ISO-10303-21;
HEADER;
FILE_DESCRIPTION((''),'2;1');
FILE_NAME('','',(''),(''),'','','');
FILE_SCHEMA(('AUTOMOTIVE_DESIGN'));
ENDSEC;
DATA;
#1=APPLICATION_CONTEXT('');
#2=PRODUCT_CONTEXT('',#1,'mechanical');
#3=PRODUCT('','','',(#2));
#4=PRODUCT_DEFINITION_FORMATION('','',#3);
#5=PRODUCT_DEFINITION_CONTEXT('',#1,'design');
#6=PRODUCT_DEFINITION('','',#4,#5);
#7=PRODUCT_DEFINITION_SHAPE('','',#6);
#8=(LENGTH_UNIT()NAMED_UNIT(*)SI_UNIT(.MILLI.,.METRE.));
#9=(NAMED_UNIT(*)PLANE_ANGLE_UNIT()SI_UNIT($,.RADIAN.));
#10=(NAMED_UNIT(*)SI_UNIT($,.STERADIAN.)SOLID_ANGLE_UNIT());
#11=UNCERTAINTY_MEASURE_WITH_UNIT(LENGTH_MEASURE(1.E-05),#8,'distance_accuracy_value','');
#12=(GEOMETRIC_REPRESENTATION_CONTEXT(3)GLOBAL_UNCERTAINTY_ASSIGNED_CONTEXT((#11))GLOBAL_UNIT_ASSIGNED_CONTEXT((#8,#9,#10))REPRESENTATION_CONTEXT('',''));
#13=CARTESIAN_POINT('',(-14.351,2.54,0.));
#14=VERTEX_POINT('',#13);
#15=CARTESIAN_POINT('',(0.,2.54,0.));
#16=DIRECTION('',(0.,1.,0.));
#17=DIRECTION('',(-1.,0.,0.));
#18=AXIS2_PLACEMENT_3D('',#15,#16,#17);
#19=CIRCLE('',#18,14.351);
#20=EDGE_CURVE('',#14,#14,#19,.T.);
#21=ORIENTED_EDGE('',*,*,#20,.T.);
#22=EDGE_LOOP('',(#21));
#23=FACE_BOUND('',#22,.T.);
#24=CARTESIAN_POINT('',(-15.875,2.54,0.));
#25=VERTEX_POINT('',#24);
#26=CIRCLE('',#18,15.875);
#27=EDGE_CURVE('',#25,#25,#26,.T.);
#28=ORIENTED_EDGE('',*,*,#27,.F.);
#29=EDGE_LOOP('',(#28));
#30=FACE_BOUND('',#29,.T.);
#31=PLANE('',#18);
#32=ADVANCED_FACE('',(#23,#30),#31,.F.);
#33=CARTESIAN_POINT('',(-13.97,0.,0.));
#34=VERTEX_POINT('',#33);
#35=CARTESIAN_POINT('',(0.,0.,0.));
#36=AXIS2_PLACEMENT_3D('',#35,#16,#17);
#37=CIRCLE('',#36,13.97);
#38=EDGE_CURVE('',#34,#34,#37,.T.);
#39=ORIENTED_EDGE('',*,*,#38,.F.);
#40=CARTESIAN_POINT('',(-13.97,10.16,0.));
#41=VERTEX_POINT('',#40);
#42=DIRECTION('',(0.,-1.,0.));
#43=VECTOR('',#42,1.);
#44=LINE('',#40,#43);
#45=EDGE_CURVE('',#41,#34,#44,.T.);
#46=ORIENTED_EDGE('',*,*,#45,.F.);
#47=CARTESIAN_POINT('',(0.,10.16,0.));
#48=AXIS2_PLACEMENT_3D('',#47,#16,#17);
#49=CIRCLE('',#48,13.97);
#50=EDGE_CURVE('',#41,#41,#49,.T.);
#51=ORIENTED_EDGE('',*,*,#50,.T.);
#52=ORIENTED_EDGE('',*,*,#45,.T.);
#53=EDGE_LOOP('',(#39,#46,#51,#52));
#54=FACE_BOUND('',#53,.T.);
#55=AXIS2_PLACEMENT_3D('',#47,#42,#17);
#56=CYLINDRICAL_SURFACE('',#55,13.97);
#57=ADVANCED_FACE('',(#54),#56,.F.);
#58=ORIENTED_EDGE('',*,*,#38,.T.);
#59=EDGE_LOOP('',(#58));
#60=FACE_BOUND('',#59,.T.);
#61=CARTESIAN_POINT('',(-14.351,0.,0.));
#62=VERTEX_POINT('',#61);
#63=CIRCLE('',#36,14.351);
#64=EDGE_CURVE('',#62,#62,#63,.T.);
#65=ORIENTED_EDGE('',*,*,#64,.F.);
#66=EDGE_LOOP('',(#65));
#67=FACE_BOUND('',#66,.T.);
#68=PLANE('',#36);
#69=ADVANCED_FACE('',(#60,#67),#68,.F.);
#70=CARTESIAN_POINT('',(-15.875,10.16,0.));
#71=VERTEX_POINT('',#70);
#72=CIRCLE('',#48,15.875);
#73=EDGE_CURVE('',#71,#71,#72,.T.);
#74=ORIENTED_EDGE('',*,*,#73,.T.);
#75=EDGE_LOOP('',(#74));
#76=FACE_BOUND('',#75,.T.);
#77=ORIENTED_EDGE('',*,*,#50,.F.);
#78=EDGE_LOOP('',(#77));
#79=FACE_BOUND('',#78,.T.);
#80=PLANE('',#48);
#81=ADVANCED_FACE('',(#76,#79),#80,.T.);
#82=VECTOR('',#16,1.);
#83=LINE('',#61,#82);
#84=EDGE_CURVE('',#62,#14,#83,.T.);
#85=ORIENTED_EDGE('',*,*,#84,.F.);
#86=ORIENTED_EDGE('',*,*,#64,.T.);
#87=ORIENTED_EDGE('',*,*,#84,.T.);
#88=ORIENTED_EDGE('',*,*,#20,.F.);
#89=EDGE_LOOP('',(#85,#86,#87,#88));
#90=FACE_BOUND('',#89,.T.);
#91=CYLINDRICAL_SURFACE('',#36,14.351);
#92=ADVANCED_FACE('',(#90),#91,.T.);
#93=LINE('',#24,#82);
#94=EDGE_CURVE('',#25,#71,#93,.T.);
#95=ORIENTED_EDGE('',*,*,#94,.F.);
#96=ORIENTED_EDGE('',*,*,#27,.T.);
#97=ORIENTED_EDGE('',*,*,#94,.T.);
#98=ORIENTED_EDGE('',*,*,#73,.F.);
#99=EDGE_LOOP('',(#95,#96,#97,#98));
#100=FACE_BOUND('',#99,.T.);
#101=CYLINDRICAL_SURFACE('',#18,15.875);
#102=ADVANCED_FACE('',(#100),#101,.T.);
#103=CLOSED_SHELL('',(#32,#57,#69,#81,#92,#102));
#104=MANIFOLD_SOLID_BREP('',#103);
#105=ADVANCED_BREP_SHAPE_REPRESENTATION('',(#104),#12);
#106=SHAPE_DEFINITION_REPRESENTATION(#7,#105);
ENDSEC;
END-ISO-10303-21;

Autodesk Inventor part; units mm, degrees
ref_plane "YZ Plane" through (0, 0, 0) normal (1, 0, 0) x (0, 1, 0)
ref_plane "XZ Plane" through (0, 0, 0) normal (0, 1, 0) x (-1, 0, 0)
ref_plane "XY Plane" through (0, 0, 0) normal (0, 0, 1) x (1, 0, 0)
sketch "Sketch1" plane through (0, 0, 0) normal (0, 0, 1) x (1, 0, 0)
  line L0 (-14.351, 0) -> (-14.351, 2.54)
  line L1 (-14.351, 2.54) -> (-15.875, 2.54)
  line L2 (-15.875, 2.54) -> (-15.875, 10.16)
  line L3 (-15.875, 10.16) -> (-13.97, 10.16)
  line L4 (-13.97, 10.16) -> (-13.97, 0)
  line L5 (-13.97, 0) -> (-14.351, 0)
  line L6 (0, -2.032) -> (0, 12.192) projected
  point P0 (0, 0)
  dimension "d0" = 2.54
  dimension "d1" = 7.62
  dimension "d2" = 13.97
  dimension "d3" = 15.875
  dimension "d4" = 14.351
revolve "Revolution1" add sketch "Sketch1" angle 360 about axis through (0, -10, 0) along (0, 1, 0)
equation "\"d0\" = shortHeight"
equation "\"d1\" = tallHeight"
equation "\"d3\" = largeExteriorRadius"
equation "\"d4\" = smallerExteriorRadius"
equation "\"largeExteriorDiameter\" = 31.75"
equation "\"smallerExteriorDiameter\" = 28.702"
equation "\"shortHeight\" = 2.54"
equation "\"largeExteriorRadius\" = 0.5 * largeExteriorDiameter"
equation "\"smallerExteriorRadius\" = 0.5 * smallerExteriorDiameter"
equation "\"tallHeight\" = 7.62"
properties part number "simulatedFilterWithoutThreads" material "PBT Plastic"
